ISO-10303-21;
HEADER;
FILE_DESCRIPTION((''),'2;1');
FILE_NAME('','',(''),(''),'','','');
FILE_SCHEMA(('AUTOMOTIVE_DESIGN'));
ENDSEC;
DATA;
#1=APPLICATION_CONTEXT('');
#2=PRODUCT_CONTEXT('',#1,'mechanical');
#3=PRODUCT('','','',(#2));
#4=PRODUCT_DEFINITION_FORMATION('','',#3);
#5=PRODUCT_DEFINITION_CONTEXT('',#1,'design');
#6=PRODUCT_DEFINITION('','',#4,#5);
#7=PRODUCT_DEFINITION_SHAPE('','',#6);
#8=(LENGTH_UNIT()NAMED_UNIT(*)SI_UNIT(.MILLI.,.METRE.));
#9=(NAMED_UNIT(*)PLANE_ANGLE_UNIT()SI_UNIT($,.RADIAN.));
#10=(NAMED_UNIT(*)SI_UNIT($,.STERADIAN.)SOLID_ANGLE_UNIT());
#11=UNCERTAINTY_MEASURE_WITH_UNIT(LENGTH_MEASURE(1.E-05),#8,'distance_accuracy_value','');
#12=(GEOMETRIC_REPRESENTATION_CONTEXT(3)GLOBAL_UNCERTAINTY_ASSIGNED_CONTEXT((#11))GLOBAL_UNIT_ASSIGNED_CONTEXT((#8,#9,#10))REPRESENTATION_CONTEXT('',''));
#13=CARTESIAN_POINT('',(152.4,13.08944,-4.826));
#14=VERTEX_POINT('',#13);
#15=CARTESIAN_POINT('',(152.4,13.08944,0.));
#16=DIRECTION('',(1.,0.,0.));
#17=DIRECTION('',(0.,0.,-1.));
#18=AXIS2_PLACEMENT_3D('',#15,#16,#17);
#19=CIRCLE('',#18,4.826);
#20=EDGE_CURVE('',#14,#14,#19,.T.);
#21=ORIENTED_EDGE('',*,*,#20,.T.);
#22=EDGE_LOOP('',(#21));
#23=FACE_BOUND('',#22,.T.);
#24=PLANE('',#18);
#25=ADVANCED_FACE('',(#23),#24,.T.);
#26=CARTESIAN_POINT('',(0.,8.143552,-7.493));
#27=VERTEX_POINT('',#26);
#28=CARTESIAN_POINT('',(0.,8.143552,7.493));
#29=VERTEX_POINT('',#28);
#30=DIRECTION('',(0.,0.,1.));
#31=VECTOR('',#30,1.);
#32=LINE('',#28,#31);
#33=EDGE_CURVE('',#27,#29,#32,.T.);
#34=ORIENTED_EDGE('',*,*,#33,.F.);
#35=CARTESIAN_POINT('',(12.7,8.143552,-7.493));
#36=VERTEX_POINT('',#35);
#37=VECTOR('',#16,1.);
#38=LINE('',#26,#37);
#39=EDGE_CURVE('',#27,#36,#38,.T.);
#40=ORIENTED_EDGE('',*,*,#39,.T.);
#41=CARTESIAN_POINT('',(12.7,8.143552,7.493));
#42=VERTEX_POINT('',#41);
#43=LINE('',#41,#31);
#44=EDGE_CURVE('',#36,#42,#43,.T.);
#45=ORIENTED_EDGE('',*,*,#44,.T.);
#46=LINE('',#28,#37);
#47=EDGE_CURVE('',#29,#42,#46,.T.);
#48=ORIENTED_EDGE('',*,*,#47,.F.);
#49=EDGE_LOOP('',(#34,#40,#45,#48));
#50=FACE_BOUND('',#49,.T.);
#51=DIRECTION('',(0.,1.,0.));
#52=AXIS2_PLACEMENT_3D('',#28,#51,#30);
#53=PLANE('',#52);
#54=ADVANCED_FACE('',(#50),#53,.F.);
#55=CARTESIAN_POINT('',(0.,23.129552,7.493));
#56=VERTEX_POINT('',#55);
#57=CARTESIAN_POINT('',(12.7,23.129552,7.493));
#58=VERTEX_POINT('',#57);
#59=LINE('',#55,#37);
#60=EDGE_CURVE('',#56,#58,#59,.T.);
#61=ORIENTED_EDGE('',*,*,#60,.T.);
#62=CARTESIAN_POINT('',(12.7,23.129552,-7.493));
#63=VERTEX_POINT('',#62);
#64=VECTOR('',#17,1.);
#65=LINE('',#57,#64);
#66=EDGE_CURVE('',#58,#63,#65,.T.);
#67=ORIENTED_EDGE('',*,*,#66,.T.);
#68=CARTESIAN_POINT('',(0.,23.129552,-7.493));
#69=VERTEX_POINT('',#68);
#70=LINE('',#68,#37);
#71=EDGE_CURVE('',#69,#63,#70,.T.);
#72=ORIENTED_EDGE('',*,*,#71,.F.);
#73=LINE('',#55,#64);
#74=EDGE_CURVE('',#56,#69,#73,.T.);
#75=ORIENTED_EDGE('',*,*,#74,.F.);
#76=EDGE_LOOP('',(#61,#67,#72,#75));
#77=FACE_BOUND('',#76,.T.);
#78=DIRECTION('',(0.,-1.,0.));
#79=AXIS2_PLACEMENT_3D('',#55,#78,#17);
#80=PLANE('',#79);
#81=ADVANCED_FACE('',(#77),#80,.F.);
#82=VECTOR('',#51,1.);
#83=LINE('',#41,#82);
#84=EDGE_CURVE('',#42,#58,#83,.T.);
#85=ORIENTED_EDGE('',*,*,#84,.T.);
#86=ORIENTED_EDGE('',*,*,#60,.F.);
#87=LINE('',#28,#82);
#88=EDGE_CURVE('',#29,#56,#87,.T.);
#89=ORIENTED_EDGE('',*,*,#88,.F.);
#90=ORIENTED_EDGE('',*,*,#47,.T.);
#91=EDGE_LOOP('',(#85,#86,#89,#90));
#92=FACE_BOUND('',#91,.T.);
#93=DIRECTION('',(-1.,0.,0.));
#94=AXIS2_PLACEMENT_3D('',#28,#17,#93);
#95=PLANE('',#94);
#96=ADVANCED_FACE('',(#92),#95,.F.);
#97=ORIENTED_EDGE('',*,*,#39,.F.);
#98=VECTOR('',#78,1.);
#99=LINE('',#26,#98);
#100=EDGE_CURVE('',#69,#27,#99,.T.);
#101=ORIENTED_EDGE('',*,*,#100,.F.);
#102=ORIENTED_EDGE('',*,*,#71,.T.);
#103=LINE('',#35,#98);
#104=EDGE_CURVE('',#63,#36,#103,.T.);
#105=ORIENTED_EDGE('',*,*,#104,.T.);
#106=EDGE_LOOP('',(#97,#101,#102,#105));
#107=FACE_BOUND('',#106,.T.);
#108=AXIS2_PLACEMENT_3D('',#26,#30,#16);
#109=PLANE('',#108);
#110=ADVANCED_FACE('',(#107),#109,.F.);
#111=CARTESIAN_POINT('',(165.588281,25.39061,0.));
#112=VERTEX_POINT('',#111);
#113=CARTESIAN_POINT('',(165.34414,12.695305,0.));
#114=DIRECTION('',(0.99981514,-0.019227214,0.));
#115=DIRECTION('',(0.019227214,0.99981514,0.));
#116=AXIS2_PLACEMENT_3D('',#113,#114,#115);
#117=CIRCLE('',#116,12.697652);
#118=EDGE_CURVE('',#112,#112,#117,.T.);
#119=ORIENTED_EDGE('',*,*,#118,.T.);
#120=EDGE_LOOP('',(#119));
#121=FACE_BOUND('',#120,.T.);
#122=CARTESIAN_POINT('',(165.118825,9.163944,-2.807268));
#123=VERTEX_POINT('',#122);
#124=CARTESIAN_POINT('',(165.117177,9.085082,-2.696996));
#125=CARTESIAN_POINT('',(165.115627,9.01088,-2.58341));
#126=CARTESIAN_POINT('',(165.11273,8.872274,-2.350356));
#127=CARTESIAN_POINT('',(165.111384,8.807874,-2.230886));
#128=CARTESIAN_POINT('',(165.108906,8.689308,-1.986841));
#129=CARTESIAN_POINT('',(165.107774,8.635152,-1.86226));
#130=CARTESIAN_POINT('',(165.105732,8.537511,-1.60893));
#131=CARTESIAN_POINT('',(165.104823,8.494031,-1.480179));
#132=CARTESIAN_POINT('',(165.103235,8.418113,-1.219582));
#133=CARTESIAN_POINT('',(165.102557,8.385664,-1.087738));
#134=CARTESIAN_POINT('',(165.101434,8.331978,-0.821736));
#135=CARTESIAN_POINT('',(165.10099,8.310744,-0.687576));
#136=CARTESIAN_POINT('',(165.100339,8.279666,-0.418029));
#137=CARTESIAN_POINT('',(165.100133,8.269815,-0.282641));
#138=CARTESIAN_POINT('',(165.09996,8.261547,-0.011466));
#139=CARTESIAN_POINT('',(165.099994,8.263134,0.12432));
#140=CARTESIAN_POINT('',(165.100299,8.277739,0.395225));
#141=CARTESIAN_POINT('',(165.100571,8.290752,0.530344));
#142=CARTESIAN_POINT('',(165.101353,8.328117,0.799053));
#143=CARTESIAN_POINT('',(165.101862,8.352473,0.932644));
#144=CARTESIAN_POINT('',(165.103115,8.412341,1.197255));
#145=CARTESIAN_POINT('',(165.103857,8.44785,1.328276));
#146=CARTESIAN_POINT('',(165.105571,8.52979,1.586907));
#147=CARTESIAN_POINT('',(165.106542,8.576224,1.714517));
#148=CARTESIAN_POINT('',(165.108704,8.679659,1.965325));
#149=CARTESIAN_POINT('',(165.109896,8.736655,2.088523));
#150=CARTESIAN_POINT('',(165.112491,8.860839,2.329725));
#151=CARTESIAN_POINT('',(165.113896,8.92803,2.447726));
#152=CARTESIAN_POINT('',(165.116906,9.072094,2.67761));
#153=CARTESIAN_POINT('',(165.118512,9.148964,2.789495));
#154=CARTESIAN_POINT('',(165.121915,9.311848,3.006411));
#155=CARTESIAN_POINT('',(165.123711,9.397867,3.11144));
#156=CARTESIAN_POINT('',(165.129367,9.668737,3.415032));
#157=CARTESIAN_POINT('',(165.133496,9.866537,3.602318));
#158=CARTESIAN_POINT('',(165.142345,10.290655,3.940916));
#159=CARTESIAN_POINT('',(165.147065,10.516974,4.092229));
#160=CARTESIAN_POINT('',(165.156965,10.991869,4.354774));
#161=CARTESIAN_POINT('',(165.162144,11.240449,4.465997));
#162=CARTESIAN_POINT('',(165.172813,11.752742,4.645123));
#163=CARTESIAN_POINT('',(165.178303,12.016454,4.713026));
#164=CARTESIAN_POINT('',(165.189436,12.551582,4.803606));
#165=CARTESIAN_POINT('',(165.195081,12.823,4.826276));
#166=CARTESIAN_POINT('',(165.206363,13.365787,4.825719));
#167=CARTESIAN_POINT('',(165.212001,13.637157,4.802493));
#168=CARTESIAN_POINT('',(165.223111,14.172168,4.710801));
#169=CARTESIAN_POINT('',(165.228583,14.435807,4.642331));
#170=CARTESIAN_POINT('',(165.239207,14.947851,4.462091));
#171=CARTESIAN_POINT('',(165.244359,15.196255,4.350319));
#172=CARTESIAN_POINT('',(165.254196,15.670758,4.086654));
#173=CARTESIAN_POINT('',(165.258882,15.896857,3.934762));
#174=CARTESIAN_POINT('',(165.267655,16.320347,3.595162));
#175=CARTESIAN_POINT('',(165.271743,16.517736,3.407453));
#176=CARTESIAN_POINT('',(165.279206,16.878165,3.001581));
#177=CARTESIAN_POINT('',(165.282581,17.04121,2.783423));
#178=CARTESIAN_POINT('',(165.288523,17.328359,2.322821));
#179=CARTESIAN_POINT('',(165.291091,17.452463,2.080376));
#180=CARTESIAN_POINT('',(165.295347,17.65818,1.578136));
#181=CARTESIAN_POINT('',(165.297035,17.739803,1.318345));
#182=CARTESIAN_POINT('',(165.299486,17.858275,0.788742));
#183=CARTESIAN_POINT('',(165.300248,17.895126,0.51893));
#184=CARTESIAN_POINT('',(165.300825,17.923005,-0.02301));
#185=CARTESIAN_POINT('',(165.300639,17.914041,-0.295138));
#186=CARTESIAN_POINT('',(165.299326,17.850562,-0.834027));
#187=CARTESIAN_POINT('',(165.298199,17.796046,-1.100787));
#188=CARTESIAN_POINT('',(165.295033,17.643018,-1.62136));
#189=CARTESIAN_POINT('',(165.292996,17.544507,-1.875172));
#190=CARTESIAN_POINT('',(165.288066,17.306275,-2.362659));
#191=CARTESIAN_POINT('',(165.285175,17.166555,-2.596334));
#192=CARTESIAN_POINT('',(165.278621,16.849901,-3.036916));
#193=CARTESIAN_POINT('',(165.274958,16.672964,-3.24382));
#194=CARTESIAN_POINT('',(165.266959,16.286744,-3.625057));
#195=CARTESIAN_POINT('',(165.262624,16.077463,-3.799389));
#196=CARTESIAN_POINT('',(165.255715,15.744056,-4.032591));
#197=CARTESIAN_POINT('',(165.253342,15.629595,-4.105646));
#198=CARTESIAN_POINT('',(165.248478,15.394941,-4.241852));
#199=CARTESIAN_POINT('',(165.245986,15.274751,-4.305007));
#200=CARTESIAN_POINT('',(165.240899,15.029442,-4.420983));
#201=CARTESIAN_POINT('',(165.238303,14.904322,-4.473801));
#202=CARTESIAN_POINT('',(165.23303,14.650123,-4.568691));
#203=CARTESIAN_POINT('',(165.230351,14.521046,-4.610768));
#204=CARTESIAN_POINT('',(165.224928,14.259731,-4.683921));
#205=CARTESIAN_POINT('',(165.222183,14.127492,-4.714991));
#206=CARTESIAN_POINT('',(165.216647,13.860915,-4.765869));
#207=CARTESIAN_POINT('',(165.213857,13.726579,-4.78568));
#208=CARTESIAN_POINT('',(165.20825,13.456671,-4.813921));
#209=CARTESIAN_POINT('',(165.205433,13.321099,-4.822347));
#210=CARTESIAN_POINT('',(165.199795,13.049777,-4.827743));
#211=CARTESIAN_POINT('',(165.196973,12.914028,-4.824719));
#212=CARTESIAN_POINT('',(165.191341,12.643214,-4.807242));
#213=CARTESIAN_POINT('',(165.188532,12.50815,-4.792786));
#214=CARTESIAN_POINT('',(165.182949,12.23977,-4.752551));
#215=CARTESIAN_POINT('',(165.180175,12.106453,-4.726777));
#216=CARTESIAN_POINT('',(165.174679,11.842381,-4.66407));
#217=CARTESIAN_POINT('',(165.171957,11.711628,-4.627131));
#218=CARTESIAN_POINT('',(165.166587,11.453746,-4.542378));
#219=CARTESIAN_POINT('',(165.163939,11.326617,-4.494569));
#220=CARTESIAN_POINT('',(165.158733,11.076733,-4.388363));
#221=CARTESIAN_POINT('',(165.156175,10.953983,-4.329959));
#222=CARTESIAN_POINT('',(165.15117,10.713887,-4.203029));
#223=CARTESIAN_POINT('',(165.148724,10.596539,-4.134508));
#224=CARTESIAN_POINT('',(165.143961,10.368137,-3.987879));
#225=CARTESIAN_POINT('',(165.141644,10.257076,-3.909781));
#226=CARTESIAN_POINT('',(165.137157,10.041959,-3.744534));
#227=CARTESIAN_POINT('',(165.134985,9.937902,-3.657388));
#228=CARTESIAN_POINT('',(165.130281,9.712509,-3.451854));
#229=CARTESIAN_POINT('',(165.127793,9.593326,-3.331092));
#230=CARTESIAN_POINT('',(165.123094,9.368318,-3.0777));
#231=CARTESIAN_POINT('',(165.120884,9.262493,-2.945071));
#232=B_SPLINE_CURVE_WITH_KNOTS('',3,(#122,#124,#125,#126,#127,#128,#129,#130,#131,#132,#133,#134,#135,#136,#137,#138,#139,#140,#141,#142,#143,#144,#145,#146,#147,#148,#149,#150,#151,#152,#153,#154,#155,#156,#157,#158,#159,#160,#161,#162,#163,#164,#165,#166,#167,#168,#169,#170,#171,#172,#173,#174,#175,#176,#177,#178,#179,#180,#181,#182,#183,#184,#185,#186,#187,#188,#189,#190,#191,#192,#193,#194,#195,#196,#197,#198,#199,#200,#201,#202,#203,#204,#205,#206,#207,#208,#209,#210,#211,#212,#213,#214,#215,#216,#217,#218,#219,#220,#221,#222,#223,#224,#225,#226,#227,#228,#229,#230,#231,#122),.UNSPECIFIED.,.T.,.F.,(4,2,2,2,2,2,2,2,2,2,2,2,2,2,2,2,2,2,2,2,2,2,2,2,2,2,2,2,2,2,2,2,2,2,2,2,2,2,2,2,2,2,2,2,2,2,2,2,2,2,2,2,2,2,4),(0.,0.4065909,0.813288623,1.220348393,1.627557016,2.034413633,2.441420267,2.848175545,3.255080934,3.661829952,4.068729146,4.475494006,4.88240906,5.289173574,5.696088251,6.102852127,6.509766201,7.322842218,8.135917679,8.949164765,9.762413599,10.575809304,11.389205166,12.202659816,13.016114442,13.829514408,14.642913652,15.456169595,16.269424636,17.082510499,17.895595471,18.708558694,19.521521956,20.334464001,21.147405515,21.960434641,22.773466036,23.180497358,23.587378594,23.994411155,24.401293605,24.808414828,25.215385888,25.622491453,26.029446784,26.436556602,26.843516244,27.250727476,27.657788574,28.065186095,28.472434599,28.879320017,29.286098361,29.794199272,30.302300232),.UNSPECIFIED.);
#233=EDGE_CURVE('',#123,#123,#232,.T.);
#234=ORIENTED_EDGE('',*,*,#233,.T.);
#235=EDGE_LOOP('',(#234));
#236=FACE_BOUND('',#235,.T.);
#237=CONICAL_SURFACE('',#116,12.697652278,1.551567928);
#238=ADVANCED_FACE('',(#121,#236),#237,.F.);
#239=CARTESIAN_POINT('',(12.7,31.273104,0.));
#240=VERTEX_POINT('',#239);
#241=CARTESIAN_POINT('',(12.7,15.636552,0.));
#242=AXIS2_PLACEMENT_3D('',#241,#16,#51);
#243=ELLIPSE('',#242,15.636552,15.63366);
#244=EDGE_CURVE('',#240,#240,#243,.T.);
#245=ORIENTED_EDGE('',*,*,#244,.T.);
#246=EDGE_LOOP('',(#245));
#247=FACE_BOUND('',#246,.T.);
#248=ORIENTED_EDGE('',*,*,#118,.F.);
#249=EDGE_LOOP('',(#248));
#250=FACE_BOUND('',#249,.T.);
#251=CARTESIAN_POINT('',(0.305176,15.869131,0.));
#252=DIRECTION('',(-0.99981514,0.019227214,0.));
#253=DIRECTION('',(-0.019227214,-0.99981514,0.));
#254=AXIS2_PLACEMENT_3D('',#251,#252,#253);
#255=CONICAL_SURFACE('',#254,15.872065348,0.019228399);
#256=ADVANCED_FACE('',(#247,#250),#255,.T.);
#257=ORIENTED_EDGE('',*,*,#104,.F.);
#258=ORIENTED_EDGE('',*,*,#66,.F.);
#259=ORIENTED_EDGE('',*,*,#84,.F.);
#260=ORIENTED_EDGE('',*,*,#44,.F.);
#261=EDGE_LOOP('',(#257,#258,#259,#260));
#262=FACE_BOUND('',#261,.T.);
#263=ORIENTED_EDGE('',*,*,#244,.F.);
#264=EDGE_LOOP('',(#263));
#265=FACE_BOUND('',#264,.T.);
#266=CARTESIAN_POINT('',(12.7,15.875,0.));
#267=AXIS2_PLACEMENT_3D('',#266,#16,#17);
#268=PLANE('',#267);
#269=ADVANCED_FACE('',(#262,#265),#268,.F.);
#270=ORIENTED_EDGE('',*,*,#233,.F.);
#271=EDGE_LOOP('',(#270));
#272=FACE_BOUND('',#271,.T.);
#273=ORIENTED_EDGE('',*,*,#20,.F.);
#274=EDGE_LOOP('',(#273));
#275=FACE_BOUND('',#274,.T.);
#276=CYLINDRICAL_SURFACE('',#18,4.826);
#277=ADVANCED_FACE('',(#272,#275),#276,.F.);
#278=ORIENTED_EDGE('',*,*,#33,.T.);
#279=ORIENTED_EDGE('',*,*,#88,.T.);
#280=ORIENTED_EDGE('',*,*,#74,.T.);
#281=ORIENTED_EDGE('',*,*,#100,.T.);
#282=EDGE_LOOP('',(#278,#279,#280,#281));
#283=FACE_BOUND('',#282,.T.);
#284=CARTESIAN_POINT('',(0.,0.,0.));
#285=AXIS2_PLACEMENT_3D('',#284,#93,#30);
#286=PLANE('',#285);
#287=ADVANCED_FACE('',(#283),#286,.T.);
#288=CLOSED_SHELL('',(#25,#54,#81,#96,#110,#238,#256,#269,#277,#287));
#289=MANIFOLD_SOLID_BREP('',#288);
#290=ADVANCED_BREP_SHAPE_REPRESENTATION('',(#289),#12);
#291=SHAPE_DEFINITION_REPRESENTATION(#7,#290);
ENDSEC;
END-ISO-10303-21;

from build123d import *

# Parameters (mm, degrees)
SKETCH4_R           = 4.826
CUT_EXTRUDE1_DEPTH  = 12.7
SKETCH6_R           = 15.875
CUT_EXTRUDE2_DEPTH  = 12.7
SKETCH8_W           = 14.986
SKETCH8_H           = 14.986
BOSS_EXTRUDE1_DEPTH = 12.7


with BuildPart() as part:
    # Sketch3 → Revolve5 (revolve)
    with BuildSketch(Plane.XY, mode=Mode.PRIVATE) as revolve5_sk:
        Polygon((0, 0), (165.1, 0), (165.1, 12.7), (0, 15.875), align=None)
    revolve(revolve5_sk.sketch.rotate(Axis((165.1, 12.7, 0), (-0.9998151400298467, 0.01922721423134321, 0)), 180), axis=Axis((165.1, 12.7, 0), (-0.9998151400298467, 0.01922721423134321, 0)))

    # Sketch4 → Cut-Extrude1 (cut, symmetric)
    with BuildSketch(Plane(origin=(165.1, 0, 0), x_dir=(0, 0, -1), z_dir=(1, 0, 0))):
        with Locations((0, 13.089439927)):
            Circle(SKETCH4_R)
    extrude(amount=CUT_EXTRUDE1_DEPTH, both=True, mode=Mode.SUBTRACT)

    # Sketch6 → Cut-Extrude2 (cut)
    with BuildSketch(Plane(origin=(0, 0, 0), x_dir=(0, 0, -1), z_dir=(1, 0, 0))):
        with Locations((0, 15.875)):
            Circle(SKETCH6_R)
    extrude(amount=CUT_EXTRUDE2_DEPTH, mode=Mode.SUBTRACT)

    # Sketch8 → Boss-Extrude1 (add)
    with BuildSketch(Plane.ZY.offset(-12.7)):
        with Locations((0, 15.636551979)):
            Rectangle(SKETCH8_W, SKETCH8_H)
    extrude(amount=BOSS_EXTRUDE1_DEPTH)


solid = part.part
